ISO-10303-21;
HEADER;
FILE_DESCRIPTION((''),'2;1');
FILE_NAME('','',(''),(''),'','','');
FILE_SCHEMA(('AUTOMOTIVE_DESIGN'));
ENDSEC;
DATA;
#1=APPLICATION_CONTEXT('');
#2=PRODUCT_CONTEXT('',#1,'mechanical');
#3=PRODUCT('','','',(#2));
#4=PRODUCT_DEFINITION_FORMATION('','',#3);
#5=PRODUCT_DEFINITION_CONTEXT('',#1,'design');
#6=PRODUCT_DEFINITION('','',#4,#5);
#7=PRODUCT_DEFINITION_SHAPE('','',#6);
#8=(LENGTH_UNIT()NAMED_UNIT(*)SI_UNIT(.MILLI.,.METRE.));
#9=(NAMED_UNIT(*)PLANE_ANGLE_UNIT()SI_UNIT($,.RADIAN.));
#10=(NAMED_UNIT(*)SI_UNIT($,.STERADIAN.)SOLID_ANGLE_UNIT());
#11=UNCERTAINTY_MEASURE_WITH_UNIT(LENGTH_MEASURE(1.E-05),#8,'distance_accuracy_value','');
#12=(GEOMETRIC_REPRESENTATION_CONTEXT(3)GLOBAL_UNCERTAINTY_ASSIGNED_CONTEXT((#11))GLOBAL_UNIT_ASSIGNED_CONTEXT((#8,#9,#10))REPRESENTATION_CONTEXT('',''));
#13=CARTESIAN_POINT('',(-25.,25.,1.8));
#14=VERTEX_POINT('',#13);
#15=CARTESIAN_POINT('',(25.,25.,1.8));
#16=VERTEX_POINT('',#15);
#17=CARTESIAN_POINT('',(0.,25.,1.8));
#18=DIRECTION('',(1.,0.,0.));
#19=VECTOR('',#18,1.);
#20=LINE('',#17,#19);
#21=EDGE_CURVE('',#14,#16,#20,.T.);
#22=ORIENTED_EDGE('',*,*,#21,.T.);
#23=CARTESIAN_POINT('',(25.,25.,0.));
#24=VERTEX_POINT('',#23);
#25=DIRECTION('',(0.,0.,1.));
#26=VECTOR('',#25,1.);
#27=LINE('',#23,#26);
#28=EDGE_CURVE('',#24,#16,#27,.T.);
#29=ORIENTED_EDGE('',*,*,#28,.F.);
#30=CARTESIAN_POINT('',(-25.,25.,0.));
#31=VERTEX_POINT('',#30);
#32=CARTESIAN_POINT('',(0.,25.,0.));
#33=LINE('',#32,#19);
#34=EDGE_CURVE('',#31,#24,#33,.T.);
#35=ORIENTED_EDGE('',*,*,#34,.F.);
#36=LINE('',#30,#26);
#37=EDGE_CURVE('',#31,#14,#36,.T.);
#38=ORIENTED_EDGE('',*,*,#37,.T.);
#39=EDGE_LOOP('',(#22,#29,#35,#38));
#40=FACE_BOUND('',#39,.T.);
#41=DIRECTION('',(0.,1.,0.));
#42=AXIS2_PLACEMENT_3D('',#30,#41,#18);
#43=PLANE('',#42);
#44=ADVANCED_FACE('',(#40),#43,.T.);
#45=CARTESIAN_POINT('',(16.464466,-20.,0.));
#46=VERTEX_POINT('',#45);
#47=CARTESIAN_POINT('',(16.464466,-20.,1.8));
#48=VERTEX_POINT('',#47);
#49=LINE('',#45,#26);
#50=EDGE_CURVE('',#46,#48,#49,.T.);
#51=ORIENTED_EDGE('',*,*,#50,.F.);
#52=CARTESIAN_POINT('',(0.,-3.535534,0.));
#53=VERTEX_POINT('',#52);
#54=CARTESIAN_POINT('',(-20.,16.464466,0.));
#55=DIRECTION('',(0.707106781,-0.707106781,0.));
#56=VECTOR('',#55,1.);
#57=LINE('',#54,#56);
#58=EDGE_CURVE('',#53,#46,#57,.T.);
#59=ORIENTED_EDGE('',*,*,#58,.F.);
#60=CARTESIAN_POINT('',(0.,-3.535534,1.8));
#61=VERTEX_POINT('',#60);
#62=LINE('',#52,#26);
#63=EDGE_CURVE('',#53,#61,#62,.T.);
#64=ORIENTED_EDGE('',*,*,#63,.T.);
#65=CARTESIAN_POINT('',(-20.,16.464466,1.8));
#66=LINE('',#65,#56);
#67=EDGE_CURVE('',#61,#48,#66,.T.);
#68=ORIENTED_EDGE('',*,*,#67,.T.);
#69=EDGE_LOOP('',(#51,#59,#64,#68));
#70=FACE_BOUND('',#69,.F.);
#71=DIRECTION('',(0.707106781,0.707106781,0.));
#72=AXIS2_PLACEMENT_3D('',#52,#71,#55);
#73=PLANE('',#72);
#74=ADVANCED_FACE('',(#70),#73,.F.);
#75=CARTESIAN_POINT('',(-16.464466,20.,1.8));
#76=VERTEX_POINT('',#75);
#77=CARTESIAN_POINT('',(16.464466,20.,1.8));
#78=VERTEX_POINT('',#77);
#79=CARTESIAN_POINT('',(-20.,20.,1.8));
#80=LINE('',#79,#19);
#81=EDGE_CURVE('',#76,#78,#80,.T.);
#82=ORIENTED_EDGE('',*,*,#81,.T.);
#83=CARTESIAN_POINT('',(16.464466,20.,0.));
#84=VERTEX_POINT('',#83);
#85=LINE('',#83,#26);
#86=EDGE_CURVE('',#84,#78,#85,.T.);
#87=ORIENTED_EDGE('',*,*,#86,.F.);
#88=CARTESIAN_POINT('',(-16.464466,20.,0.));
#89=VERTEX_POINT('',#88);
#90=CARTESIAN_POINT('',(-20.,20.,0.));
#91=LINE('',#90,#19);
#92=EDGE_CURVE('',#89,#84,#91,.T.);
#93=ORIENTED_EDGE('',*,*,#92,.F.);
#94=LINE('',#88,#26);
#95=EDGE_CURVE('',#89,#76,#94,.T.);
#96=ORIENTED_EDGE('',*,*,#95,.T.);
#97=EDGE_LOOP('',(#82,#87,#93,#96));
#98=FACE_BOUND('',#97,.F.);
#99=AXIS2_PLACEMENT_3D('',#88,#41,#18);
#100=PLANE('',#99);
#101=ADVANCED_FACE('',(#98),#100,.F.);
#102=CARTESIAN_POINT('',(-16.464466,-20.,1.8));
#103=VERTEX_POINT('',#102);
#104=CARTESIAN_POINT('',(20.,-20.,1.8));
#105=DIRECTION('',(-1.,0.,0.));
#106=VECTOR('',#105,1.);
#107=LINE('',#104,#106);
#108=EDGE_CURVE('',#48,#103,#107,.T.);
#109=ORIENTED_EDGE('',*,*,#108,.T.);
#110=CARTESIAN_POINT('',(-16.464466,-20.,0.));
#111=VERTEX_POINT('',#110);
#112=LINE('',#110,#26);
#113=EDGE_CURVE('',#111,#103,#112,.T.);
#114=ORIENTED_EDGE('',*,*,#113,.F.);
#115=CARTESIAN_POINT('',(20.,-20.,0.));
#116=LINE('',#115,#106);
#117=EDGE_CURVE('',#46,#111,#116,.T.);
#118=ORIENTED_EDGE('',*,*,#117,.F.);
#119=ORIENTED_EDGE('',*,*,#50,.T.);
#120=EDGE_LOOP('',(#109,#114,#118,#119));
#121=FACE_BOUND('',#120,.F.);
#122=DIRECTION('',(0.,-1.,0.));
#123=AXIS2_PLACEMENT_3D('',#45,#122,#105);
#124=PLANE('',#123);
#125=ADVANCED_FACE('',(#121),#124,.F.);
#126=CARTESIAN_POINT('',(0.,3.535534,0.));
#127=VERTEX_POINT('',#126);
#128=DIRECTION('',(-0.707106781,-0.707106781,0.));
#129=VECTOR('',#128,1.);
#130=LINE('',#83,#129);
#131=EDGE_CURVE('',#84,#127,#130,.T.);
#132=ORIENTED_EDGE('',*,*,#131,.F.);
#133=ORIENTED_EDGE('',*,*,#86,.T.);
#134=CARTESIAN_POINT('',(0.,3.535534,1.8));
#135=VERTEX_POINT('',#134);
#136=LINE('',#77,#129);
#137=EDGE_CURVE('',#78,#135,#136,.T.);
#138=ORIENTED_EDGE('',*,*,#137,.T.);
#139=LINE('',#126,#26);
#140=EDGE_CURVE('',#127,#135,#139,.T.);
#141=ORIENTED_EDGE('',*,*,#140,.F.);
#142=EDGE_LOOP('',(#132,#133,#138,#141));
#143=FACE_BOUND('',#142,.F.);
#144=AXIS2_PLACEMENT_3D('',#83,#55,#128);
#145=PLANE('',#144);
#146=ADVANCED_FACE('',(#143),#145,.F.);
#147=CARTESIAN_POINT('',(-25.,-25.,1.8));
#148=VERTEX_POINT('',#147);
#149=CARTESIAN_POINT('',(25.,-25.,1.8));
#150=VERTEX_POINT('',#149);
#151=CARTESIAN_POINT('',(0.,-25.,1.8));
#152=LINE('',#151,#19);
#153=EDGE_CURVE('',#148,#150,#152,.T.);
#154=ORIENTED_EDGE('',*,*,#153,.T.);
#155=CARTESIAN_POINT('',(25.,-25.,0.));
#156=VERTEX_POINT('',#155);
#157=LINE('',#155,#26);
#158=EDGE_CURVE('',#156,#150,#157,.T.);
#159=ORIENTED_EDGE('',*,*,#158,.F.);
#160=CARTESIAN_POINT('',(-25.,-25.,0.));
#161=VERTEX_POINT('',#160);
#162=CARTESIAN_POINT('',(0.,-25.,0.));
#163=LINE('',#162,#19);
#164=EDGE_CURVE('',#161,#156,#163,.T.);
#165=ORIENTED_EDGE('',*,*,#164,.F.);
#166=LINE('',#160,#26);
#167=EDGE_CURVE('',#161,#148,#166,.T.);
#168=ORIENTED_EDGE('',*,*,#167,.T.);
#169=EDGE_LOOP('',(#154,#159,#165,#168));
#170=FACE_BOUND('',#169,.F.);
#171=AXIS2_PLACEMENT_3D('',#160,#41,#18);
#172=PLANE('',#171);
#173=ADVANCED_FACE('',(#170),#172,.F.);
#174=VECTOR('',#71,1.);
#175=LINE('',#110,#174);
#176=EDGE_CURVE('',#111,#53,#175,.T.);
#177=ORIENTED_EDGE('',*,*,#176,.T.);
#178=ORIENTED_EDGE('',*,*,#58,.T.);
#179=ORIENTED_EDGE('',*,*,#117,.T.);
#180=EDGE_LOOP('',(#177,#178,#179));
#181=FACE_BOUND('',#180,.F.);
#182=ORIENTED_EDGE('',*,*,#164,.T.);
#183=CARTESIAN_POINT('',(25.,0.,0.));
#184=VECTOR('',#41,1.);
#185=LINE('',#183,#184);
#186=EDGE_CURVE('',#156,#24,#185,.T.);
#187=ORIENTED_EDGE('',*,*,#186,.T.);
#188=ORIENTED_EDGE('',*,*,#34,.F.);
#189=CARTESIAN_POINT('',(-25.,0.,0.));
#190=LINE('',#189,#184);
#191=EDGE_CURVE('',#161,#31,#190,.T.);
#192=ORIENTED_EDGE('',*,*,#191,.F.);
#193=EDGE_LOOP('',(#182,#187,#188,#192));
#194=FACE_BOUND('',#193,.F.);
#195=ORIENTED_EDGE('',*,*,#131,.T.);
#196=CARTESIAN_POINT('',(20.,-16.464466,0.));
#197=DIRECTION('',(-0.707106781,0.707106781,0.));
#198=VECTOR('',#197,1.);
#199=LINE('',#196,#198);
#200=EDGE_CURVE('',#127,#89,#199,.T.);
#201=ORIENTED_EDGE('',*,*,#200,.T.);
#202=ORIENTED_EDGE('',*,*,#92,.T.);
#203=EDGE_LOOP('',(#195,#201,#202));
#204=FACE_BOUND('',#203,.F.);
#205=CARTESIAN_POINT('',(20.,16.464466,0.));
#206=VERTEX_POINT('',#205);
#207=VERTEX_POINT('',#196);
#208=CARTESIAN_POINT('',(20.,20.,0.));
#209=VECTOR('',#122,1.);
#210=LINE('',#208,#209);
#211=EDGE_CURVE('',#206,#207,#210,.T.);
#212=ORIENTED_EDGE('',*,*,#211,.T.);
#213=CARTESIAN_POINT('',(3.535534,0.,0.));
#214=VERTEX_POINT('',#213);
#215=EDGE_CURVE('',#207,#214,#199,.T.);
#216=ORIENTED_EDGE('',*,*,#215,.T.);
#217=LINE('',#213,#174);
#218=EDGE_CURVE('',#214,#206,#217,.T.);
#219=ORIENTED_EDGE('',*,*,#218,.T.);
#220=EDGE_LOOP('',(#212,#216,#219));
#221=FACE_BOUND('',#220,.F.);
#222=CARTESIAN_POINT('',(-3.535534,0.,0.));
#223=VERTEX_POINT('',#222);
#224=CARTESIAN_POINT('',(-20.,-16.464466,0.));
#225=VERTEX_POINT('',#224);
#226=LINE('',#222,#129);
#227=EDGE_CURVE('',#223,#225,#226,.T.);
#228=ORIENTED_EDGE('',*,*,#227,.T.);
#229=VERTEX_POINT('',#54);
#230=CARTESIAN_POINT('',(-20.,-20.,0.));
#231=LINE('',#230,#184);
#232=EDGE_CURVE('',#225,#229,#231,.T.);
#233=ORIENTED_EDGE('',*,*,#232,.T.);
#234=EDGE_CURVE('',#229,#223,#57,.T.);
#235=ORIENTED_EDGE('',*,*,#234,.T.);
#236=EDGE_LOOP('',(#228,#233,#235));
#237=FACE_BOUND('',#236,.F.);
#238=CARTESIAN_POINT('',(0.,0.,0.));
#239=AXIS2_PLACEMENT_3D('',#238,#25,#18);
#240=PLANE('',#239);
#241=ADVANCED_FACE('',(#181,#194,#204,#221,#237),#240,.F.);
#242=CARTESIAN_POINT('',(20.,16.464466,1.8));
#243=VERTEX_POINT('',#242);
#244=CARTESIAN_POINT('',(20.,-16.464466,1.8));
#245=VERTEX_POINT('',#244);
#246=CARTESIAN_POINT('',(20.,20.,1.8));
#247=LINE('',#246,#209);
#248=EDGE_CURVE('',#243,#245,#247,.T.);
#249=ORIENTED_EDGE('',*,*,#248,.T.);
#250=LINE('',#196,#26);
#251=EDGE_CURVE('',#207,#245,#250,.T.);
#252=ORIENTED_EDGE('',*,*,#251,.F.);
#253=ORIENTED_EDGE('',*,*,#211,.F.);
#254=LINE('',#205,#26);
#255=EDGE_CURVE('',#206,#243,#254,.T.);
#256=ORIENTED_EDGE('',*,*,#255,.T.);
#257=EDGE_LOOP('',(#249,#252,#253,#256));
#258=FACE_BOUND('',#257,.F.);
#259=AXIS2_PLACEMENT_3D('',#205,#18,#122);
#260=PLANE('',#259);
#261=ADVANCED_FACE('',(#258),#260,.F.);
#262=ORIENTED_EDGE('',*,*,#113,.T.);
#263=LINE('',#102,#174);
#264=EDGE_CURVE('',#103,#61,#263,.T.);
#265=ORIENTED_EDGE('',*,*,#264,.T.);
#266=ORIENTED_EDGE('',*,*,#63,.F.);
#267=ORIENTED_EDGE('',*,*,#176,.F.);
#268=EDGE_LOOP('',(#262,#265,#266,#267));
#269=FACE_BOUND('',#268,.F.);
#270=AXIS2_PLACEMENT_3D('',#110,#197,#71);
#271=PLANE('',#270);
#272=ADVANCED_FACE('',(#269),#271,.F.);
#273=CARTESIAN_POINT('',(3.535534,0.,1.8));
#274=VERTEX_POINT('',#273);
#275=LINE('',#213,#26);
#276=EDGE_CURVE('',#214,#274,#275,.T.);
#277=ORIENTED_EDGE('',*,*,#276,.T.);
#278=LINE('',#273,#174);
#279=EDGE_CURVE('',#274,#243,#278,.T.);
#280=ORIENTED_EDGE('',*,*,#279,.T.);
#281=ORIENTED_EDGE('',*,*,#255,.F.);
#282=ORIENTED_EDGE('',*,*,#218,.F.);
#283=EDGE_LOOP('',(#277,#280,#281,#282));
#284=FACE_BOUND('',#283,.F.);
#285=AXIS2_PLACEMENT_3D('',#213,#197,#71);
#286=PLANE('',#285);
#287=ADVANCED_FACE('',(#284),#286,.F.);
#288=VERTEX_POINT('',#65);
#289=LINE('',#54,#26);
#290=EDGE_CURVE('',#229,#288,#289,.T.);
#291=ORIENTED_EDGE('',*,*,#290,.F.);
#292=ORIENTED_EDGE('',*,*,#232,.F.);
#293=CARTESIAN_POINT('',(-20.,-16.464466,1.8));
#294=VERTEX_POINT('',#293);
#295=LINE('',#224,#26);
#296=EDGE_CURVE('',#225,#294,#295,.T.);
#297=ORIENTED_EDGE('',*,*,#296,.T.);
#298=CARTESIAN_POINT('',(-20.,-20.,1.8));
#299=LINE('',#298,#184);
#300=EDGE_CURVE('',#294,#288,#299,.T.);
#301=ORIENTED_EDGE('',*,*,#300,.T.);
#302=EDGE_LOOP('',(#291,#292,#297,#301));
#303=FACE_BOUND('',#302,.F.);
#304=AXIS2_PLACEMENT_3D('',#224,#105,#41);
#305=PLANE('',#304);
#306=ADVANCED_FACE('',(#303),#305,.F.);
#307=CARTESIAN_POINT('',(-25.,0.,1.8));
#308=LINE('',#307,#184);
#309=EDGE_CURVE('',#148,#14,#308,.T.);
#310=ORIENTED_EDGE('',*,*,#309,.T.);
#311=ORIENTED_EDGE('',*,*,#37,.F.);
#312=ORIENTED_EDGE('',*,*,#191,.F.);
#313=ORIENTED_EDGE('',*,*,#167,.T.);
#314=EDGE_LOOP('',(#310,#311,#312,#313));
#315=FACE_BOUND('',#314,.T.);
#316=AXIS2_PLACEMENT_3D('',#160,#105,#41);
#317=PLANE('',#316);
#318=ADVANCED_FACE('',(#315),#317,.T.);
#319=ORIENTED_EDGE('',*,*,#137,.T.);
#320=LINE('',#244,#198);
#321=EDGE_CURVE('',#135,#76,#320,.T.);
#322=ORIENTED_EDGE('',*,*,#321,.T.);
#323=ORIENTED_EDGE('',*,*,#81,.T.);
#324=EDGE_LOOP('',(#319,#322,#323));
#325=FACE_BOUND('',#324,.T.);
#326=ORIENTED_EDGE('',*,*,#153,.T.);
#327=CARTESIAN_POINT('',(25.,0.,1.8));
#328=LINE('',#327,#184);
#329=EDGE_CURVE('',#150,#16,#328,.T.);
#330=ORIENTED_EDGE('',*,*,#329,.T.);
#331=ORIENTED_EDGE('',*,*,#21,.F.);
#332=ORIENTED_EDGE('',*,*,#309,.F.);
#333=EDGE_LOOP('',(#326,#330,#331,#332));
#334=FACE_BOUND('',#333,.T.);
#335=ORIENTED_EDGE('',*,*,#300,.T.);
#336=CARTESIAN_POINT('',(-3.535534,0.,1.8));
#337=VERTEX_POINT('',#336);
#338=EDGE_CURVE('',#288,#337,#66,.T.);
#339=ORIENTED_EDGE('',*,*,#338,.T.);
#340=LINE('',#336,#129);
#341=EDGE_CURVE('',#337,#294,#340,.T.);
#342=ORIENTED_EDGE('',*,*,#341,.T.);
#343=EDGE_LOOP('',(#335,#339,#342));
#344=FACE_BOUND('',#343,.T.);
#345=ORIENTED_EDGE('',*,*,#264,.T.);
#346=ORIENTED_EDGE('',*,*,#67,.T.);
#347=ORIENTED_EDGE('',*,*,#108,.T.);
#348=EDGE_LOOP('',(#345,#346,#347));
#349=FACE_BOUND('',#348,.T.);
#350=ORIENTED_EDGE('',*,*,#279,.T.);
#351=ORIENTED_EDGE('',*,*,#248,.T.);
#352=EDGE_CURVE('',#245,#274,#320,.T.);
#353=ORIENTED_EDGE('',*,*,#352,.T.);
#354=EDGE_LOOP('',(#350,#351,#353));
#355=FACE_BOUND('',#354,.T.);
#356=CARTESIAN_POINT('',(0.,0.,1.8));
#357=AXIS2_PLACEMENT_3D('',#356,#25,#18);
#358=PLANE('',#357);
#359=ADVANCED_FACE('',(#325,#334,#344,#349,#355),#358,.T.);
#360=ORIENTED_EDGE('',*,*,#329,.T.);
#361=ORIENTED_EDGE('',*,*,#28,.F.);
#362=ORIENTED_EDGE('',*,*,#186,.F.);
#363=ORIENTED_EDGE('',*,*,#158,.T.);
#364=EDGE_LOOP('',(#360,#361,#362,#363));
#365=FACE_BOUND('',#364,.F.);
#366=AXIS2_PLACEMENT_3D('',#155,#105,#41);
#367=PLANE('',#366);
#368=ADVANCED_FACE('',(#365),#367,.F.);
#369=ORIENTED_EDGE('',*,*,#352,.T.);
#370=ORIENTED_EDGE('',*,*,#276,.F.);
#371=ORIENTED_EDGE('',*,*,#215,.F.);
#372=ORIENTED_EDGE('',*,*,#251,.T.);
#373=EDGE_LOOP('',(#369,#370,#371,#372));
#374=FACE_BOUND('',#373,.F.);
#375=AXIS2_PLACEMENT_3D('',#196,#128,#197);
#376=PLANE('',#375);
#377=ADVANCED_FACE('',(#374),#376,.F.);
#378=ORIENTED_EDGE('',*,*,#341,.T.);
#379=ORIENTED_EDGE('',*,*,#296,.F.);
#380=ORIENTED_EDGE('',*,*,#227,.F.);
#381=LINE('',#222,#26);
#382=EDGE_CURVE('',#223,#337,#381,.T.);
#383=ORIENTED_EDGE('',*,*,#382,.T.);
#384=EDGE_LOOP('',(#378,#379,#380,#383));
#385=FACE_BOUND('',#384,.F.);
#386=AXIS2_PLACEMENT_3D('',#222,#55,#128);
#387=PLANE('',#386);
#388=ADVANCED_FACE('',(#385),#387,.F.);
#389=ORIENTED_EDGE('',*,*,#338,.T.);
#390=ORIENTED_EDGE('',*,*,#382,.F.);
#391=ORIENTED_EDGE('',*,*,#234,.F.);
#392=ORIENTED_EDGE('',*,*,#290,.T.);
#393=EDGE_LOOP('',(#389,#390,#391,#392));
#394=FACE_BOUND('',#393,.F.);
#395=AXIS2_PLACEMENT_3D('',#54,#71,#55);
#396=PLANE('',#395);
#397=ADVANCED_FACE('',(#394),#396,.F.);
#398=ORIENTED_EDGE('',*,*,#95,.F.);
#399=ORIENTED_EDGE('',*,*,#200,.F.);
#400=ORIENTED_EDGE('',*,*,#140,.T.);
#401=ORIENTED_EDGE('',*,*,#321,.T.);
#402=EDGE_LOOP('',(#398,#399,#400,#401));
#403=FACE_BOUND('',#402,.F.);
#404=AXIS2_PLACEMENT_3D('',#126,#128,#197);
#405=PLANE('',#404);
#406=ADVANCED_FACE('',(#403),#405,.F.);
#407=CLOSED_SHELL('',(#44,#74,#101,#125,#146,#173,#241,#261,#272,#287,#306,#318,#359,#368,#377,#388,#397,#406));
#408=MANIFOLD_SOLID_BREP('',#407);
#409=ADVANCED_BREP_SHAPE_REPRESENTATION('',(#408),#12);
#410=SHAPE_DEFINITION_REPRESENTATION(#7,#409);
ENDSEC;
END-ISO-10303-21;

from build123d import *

# Parameters (mm, degrees)
F0_W     = 50
F0_H     = 50
F1_DEPTH = 1.8


with BuildPart() as f1:
    # F0 (on Top) → F1 (new body)
    with BuildSketch(Plane.XY):
        Rectangle(F0_W, F0_H)
        Polygon((20, -16.4644660941), (20, -20), (16.4644660941, -20), (-16.4644660941, -20), (-20, -20), (-20, -16.4644660941), (-20, 16.4644660941), (-20, 20), (-16.4644660941, 20), (16.4644660941, 20), (20, 20), (20, 16.4644660941), align=None, mode=Mode.SUBTRACT)
        Polygon((-20, 16.4644660941), (-3.5355339059, 0), (0, 3.5355339059), (-16.4644660941, 20), (-20, 20), align=None)
        Polygon((16.4644660941, -20), (20, -20), (20, -16.4644660941), (3.5355339059, 0), (0, -3.5355339059), align=None)
        Polygon((-3.5355339059, 0), (0, -3.5355339059), (3.5355339059, 0), (0, 3.5355339059), align=None)
        Polygon((3.5355339059, 0), (20, 16.4644660941), (20, 20), (16.4644660941, 20), (0, 3.5355339059), align=None)
        Polygon((-20, -20), (-16.4644660941, -20), (0, -3.5355339059), (-3.5355339059, 0), (-20, -16.4644660941), align=None)
    extrude(amount=F1_DEPTH)


solid = f1.part
